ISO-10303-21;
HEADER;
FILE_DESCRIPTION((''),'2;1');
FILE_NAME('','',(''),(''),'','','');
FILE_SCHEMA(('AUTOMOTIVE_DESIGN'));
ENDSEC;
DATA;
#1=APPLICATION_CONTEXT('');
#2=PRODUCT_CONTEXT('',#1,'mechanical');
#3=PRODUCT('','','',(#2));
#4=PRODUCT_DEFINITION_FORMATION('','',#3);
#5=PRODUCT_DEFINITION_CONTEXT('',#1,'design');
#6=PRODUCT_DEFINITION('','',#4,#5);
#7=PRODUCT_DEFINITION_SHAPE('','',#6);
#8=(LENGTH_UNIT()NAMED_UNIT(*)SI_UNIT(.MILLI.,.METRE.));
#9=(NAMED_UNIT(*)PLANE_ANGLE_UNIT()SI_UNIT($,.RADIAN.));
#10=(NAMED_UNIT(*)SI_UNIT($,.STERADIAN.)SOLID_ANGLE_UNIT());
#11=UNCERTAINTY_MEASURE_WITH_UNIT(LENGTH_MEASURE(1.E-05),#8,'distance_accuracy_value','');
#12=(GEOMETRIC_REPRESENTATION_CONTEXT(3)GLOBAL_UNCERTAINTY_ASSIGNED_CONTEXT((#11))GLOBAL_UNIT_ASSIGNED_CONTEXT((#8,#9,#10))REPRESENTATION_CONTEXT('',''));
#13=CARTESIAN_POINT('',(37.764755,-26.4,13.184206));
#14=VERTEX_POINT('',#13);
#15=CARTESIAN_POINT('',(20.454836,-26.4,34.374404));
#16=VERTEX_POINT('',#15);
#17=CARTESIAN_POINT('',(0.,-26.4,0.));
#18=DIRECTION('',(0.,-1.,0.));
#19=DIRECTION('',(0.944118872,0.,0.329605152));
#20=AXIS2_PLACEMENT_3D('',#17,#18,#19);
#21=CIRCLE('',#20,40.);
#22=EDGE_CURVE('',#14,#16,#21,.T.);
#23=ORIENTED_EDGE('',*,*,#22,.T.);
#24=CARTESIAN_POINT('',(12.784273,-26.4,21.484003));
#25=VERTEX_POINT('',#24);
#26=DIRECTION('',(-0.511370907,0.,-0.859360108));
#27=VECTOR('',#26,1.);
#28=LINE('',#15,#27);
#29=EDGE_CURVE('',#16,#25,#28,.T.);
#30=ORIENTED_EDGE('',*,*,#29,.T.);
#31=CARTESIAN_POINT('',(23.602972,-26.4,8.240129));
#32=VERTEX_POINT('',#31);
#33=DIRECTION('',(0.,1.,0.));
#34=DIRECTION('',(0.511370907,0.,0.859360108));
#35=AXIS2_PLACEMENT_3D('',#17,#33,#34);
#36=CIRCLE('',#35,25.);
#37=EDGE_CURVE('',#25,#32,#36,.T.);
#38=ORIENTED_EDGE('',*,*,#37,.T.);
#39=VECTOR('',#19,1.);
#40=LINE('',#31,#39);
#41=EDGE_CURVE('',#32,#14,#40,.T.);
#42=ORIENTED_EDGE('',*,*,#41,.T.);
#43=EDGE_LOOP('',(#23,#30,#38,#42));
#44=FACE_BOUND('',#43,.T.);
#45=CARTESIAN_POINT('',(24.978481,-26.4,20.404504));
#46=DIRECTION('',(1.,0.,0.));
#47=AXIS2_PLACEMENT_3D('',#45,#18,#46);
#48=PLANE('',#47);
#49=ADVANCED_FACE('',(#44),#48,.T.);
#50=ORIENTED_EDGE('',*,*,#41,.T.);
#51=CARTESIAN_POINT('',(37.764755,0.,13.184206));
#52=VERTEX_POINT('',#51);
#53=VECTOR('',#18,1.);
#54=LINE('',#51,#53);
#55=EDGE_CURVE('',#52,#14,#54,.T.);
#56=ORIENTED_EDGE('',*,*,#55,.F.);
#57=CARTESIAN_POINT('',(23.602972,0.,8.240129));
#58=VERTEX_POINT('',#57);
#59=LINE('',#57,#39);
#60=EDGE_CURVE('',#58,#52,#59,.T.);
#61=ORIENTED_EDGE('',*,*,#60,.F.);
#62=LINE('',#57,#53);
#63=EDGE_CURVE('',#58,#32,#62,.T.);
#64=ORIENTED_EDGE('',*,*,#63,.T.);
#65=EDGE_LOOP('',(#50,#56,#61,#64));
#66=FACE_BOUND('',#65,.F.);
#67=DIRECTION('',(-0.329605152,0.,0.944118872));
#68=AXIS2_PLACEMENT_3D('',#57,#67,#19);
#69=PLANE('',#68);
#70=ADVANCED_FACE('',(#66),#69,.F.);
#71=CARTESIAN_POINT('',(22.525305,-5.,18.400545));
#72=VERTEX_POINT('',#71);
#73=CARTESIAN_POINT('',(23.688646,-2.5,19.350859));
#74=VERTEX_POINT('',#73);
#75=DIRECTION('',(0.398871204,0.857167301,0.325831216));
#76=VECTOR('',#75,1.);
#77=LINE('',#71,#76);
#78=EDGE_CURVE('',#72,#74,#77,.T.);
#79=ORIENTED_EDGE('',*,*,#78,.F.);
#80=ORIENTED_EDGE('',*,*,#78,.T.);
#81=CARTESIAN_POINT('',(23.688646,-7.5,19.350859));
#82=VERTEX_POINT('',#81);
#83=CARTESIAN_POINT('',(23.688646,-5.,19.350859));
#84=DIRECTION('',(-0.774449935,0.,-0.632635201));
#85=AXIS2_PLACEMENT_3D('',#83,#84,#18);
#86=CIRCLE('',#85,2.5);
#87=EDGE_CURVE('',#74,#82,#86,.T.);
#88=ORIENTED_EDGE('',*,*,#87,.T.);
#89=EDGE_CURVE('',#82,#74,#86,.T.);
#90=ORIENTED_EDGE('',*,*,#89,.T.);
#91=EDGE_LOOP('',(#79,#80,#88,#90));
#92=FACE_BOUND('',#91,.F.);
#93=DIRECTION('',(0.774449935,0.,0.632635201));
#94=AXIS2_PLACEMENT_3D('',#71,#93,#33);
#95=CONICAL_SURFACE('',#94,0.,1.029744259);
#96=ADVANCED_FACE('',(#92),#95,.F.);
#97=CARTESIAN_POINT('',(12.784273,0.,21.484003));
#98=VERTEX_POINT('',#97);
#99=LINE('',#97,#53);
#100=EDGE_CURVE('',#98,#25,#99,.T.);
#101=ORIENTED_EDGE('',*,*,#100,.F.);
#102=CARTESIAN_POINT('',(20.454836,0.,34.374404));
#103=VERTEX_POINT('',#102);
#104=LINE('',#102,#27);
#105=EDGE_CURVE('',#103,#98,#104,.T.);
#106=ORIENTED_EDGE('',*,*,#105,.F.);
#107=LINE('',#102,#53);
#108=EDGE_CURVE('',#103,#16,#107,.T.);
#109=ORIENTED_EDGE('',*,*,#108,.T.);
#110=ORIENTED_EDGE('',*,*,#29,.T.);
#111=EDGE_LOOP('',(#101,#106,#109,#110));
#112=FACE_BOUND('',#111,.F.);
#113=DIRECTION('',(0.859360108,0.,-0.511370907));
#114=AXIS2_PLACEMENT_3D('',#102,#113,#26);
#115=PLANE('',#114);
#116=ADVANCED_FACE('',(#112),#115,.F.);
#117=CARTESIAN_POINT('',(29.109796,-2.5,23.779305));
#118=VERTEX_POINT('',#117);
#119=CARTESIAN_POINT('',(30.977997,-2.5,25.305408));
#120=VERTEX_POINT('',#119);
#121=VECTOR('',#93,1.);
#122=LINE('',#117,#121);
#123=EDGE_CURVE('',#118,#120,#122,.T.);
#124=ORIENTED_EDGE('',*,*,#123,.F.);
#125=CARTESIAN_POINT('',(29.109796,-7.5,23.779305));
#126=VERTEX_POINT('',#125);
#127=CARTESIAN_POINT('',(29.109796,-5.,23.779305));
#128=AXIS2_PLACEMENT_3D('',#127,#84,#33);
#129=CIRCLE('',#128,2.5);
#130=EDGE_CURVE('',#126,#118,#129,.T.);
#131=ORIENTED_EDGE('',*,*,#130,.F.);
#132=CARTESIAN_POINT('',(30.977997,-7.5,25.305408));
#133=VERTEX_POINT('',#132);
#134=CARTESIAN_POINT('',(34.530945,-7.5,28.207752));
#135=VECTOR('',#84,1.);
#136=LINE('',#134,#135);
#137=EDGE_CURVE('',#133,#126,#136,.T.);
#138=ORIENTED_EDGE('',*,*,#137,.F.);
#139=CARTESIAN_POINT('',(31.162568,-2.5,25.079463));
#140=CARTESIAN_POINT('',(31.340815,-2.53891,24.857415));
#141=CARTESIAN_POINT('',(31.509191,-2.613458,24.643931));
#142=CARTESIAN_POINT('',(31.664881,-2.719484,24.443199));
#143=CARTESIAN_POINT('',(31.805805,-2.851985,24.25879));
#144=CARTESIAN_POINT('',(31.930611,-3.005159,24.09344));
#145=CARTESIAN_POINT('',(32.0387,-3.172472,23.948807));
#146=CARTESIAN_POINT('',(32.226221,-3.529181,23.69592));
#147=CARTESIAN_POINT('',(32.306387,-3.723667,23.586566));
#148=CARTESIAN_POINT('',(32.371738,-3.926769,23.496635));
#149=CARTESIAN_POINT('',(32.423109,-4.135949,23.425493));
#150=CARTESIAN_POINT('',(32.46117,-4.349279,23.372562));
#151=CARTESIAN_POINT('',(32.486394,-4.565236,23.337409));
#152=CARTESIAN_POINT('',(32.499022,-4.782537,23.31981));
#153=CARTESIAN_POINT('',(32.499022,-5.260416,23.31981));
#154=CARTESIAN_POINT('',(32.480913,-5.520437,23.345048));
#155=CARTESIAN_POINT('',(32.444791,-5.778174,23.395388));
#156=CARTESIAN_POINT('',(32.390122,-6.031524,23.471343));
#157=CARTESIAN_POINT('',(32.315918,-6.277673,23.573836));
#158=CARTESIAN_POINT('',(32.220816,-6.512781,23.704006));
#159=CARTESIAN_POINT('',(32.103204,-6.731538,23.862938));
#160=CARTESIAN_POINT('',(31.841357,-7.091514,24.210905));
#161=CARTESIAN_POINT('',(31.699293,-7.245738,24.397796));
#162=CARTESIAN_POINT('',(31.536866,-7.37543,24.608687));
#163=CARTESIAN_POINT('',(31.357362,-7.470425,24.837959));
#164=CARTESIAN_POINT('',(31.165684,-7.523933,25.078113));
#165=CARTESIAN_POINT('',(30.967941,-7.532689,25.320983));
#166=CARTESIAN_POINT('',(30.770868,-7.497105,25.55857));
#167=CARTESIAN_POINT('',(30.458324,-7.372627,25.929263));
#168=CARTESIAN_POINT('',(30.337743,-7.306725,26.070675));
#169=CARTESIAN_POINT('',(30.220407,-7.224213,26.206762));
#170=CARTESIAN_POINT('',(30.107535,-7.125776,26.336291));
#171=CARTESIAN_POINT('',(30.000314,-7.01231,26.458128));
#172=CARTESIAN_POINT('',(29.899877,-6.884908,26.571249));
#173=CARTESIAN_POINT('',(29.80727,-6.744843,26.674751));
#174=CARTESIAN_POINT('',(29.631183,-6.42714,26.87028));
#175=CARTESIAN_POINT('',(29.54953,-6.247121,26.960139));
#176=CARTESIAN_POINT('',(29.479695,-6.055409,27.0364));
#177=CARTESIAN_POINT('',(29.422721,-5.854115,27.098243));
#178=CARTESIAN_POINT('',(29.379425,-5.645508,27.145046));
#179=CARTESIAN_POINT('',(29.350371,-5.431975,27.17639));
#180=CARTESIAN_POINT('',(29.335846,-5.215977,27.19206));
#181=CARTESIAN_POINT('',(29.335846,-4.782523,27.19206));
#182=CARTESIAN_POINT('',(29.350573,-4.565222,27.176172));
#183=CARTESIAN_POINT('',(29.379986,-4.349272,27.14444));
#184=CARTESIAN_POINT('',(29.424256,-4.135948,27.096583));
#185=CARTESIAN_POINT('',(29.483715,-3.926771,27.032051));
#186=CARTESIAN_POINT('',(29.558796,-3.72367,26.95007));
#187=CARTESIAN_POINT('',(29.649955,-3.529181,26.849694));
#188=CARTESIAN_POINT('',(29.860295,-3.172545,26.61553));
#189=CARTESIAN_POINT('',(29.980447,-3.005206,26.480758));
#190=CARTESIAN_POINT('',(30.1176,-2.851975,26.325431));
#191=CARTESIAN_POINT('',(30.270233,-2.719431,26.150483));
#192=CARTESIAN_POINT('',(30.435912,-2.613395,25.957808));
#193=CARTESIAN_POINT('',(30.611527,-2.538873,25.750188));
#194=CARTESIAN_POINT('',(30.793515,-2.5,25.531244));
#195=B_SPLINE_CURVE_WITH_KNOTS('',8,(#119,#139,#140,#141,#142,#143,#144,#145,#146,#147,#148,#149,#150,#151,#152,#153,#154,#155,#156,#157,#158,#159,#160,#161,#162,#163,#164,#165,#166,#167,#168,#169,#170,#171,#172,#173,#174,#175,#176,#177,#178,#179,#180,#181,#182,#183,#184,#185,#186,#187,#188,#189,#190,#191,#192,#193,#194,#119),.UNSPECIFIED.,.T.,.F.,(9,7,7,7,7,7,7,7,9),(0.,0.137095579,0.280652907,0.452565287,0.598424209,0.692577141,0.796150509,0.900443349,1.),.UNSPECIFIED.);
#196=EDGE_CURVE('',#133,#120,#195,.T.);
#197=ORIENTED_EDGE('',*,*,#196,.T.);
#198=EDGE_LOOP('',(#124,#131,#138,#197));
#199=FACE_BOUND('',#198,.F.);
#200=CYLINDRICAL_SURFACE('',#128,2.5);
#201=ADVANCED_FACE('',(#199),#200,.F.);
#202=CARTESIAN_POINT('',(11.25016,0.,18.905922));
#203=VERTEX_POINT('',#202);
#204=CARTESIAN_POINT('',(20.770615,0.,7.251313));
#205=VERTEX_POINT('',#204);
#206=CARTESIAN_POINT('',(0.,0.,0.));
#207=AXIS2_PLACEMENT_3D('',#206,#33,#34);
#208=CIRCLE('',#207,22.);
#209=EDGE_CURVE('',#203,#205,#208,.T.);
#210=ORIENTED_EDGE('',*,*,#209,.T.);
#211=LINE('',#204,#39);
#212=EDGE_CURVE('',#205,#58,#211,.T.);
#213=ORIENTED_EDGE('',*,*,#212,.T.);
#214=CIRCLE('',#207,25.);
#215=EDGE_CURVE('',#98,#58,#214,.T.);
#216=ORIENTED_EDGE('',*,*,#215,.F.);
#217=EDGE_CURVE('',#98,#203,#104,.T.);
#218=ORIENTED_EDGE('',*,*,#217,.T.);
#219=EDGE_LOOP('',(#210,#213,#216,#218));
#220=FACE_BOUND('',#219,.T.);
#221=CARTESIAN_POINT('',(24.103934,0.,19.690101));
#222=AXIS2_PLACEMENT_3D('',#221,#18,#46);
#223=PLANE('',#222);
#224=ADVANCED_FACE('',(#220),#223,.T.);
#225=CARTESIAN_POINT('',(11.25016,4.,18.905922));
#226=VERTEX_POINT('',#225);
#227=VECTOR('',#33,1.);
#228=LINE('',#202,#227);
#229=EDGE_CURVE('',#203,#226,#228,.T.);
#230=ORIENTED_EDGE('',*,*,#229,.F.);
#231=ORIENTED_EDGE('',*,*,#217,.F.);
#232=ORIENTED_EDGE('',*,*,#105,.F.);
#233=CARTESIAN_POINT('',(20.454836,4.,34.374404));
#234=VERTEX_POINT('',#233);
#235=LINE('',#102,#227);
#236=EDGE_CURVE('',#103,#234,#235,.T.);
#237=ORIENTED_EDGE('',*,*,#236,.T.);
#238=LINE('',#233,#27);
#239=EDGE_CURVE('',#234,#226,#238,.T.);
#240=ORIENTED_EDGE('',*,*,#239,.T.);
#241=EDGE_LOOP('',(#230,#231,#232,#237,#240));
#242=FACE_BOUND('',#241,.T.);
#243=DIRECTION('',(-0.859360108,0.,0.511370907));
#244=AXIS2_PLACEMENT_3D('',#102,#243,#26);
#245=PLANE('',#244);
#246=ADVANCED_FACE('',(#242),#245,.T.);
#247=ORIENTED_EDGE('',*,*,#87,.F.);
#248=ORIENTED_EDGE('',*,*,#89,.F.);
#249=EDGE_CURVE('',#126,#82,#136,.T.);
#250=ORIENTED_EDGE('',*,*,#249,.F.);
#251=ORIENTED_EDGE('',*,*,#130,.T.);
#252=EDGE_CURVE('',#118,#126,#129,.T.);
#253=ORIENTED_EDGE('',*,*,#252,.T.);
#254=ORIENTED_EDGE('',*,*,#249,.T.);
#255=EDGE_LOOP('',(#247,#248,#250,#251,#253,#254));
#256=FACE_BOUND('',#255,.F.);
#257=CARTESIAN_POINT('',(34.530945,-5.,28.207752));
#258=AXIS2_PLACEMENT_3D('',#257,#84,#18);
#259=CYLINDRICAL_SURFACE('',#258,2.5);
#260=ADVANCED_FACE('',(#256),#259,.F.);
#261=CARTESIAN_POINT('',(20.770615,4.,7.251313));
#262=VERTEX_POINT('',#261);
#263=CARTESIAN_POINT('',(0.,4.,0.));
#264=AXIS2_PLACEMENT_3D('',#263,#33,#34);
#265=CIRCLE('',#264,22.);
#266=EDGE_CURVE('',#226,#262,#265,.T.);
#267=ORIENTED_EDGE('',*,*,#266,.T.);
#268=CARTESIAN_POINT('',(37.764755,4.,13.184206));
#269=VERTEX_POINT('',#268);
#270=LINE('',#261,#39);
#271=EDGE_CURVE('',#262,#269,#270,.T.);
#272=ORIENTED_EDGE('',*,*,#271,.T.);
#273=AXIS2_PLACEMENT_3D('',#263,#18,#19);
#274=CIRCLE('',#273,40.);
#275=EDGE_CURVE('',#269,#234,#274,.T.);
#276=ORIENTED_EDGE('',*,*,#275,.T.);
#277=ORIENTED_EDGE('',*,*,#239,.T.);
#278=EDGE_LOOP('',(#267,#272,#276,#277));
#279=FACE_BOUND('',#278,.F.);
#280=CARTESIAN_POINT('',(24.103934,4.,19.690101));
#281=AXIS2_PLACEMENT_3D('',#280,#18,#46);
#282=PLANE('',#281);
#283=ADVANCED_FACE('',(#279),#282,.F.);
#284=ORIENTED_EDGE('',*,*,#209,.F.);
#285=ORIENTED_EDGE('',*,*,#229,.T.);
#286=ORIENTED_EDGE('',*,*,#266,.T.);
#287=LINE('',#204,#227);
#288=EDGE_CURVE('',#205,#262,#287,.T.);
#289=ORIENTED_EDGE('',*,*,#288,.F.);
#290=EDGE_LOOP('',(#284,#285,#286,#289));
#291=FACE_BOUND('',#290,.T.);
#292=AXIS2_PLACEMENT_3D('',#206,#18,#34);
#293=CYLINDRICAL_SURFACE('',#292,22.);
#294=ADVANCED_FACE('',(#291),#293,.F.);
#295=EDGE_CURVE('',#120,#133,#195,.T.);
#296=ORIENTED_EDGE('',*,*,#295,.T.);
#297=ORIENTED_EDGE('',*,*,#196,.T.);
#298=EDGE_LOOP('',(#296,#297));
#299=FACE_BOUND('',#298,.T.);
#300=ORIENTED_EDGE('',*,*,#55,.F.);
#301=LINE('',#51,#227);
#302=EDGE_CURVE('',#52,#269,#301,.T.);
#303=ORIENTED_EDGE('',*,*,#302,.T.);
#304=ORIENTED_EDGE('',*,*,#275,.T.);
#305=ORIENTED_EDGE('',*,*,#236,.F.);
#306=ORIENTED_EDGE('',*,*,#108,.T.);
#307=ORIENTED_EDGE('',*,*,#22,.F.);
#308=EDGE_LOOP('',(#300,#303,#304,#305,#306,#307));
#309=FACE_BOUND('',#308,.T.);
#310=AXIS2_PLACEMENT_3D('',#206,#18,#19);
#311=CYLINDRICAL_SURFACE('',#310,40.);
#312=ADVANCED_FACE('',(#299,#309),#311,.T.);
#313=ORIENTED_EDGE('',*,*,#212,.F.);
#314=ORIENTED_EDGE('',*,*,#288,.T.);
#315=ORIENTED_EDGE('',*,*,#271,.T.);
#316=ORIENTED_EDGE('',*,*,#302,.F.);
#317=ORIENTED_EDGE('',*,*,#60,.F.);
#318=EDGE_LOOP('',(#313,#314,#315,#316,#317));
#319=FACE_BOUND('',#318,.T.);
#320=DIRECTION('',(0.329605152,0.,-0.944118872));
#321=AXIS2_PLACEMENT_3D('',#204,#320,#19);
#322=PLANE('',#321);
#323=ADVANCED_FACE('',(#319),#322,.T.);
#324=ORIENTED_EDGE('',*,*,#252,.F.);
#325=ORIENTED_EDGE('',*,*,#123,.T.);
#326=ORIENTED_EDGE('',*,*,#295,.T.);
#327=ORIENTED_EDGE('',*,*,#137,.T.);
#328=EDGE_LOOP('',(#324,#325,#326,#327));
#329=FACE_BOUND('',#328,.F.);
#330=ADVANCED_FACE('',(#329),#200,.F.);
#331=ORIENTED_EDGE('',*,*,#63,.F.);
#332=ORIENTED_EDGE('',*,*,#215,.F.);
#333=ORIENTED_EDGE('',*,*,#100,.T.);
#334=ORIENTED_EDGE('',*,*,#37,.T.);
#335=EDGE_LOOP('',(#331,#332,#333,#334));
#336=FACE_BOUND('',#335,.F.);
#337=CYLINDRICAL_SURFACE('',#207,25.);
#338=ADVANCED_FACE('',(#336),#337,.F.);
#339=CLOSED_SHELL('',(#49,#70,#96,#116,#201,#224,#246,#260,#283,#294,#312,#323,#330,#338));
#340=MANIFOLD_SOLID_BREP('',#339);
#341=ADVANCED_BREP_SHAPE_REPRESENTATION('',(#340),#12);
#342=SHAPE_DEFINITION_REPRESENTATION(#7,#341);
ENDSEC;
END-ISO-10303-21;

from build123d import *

# Parameters (mm, degrees)
F2_DEPTH = 26.4
F3_DEPTH = 4
F6_D     = 5
F6_DEPTH = 5
F6_TIP   = 1.5021515476
F7_D     = 5
F7_DEPTH = 7
F7_TIP   = 1.5021515476


with BuildPart() as f2:
    # F0 (on Front) → F2 (new body)
    with BuildSketch(Plane.XZ):
        with BuildLine():
            Line((23.6029717884, 8.2401288069), (37.7647548615, 13.1842060911))
            ThreePointArc((37.7647548615, 13.1842060911), (30.9779974122, 25.3054080451), (20.4548362885, 34.3744043208))
            Line((20.4548362885, 34.3744043208), (12.7842726803, 21.4840027005))
            ThreePointArc((12.7842726803, 21.4840027005), (19.3612483826, 15.8158800282), (23.6029717884, 8.2401288069))
        make_face()
    extrude(amount=F2_DEPTH)

    # F1 (on Front) + F0 (on Front) → F3 (join)
    with BuildSketch(Plane.XZ):
        with BuildLine():
            ThreePointArc((11.2501599587, 18.9059223764), (17.0378985767, 13.9179744248), (20.7706151738, 7.2513133501))
            Line((20.7706151738, 7.2513133501), (37.7647548615, 13.1842060911))
            ThreePointArc((37.7647548615, 13.1842060911), (30.9779974122, 25.3054080451), (20.4548362885, 34.3744043208))
            Line((20.4548362885, 34.3744043208), (11.2501599587, 18.9059223764))
        make_face()
    with BuildSketch(Plane.XZ):
        with BuildLine():
            Line((23.6029717884, 8.2401288069), (37.7647548615, 13.1842060911))
            ThreePointArc((37.7647548615, 13.1842060911), (30.9779974122, 25.3054080451), (20.4548362885, 34.3744043208))
            Line((20.4548362885, 34.3744043208), (12.7842726803, 21.4840027005))
            ThreePointArc((12.7842726803, 21.4840027005), (19.3612483826, 15.8158800282), (23.6029717884, 8.2401288069))
        make_face()
    extrude(amount=-F3_DEPTH)

    # F6 (one way)
    with BuildSketch(Plane(origin=(29.109795575, 0, 23.7793052059), x_dir=(0, 1, 0), z_dir=(-0.7744499353, 0, -0.6326352011))):
        with Locations((-5, 0)):
            Circle(F6_D / 2)
    extrude(amount=-F6_DEPTH, mode=Mode.SUBTRACT)
    with Locations(Plane(origin=(29.109795575, 0, 23.7793052059), x_dir=(0, 1, 0), z_dir=(-0.7744499353, 0, -0.6326352011))):
        with Locations((-5, 0)):
            with Locations((0, 0, -(F6_DEPTH + F6_TIP / 2))):  # 118° drill point
                Cone(0, F6_D / 2, F6_TIP, mode=Mode.SUBTRACT)

    # F7
    with Locations(Plane(origin=(29.109795575, 0, 23.7793052059), x_dir=(0, 1, 0), z_dir=(0.7744499353, 0, 0.6326352011))):
        with Locations((-5, 0)):
            Hole(F7_D / 2, depth=F7_DEPTH)
            with Locations((0, 0, -(F7_DEPTH + F7_TIP / 2))):  # 118° drill point
                Cone(0, F7_D / 2, F7_TIP, mode=Mode.SUBTRACT)


solid = f2.part
